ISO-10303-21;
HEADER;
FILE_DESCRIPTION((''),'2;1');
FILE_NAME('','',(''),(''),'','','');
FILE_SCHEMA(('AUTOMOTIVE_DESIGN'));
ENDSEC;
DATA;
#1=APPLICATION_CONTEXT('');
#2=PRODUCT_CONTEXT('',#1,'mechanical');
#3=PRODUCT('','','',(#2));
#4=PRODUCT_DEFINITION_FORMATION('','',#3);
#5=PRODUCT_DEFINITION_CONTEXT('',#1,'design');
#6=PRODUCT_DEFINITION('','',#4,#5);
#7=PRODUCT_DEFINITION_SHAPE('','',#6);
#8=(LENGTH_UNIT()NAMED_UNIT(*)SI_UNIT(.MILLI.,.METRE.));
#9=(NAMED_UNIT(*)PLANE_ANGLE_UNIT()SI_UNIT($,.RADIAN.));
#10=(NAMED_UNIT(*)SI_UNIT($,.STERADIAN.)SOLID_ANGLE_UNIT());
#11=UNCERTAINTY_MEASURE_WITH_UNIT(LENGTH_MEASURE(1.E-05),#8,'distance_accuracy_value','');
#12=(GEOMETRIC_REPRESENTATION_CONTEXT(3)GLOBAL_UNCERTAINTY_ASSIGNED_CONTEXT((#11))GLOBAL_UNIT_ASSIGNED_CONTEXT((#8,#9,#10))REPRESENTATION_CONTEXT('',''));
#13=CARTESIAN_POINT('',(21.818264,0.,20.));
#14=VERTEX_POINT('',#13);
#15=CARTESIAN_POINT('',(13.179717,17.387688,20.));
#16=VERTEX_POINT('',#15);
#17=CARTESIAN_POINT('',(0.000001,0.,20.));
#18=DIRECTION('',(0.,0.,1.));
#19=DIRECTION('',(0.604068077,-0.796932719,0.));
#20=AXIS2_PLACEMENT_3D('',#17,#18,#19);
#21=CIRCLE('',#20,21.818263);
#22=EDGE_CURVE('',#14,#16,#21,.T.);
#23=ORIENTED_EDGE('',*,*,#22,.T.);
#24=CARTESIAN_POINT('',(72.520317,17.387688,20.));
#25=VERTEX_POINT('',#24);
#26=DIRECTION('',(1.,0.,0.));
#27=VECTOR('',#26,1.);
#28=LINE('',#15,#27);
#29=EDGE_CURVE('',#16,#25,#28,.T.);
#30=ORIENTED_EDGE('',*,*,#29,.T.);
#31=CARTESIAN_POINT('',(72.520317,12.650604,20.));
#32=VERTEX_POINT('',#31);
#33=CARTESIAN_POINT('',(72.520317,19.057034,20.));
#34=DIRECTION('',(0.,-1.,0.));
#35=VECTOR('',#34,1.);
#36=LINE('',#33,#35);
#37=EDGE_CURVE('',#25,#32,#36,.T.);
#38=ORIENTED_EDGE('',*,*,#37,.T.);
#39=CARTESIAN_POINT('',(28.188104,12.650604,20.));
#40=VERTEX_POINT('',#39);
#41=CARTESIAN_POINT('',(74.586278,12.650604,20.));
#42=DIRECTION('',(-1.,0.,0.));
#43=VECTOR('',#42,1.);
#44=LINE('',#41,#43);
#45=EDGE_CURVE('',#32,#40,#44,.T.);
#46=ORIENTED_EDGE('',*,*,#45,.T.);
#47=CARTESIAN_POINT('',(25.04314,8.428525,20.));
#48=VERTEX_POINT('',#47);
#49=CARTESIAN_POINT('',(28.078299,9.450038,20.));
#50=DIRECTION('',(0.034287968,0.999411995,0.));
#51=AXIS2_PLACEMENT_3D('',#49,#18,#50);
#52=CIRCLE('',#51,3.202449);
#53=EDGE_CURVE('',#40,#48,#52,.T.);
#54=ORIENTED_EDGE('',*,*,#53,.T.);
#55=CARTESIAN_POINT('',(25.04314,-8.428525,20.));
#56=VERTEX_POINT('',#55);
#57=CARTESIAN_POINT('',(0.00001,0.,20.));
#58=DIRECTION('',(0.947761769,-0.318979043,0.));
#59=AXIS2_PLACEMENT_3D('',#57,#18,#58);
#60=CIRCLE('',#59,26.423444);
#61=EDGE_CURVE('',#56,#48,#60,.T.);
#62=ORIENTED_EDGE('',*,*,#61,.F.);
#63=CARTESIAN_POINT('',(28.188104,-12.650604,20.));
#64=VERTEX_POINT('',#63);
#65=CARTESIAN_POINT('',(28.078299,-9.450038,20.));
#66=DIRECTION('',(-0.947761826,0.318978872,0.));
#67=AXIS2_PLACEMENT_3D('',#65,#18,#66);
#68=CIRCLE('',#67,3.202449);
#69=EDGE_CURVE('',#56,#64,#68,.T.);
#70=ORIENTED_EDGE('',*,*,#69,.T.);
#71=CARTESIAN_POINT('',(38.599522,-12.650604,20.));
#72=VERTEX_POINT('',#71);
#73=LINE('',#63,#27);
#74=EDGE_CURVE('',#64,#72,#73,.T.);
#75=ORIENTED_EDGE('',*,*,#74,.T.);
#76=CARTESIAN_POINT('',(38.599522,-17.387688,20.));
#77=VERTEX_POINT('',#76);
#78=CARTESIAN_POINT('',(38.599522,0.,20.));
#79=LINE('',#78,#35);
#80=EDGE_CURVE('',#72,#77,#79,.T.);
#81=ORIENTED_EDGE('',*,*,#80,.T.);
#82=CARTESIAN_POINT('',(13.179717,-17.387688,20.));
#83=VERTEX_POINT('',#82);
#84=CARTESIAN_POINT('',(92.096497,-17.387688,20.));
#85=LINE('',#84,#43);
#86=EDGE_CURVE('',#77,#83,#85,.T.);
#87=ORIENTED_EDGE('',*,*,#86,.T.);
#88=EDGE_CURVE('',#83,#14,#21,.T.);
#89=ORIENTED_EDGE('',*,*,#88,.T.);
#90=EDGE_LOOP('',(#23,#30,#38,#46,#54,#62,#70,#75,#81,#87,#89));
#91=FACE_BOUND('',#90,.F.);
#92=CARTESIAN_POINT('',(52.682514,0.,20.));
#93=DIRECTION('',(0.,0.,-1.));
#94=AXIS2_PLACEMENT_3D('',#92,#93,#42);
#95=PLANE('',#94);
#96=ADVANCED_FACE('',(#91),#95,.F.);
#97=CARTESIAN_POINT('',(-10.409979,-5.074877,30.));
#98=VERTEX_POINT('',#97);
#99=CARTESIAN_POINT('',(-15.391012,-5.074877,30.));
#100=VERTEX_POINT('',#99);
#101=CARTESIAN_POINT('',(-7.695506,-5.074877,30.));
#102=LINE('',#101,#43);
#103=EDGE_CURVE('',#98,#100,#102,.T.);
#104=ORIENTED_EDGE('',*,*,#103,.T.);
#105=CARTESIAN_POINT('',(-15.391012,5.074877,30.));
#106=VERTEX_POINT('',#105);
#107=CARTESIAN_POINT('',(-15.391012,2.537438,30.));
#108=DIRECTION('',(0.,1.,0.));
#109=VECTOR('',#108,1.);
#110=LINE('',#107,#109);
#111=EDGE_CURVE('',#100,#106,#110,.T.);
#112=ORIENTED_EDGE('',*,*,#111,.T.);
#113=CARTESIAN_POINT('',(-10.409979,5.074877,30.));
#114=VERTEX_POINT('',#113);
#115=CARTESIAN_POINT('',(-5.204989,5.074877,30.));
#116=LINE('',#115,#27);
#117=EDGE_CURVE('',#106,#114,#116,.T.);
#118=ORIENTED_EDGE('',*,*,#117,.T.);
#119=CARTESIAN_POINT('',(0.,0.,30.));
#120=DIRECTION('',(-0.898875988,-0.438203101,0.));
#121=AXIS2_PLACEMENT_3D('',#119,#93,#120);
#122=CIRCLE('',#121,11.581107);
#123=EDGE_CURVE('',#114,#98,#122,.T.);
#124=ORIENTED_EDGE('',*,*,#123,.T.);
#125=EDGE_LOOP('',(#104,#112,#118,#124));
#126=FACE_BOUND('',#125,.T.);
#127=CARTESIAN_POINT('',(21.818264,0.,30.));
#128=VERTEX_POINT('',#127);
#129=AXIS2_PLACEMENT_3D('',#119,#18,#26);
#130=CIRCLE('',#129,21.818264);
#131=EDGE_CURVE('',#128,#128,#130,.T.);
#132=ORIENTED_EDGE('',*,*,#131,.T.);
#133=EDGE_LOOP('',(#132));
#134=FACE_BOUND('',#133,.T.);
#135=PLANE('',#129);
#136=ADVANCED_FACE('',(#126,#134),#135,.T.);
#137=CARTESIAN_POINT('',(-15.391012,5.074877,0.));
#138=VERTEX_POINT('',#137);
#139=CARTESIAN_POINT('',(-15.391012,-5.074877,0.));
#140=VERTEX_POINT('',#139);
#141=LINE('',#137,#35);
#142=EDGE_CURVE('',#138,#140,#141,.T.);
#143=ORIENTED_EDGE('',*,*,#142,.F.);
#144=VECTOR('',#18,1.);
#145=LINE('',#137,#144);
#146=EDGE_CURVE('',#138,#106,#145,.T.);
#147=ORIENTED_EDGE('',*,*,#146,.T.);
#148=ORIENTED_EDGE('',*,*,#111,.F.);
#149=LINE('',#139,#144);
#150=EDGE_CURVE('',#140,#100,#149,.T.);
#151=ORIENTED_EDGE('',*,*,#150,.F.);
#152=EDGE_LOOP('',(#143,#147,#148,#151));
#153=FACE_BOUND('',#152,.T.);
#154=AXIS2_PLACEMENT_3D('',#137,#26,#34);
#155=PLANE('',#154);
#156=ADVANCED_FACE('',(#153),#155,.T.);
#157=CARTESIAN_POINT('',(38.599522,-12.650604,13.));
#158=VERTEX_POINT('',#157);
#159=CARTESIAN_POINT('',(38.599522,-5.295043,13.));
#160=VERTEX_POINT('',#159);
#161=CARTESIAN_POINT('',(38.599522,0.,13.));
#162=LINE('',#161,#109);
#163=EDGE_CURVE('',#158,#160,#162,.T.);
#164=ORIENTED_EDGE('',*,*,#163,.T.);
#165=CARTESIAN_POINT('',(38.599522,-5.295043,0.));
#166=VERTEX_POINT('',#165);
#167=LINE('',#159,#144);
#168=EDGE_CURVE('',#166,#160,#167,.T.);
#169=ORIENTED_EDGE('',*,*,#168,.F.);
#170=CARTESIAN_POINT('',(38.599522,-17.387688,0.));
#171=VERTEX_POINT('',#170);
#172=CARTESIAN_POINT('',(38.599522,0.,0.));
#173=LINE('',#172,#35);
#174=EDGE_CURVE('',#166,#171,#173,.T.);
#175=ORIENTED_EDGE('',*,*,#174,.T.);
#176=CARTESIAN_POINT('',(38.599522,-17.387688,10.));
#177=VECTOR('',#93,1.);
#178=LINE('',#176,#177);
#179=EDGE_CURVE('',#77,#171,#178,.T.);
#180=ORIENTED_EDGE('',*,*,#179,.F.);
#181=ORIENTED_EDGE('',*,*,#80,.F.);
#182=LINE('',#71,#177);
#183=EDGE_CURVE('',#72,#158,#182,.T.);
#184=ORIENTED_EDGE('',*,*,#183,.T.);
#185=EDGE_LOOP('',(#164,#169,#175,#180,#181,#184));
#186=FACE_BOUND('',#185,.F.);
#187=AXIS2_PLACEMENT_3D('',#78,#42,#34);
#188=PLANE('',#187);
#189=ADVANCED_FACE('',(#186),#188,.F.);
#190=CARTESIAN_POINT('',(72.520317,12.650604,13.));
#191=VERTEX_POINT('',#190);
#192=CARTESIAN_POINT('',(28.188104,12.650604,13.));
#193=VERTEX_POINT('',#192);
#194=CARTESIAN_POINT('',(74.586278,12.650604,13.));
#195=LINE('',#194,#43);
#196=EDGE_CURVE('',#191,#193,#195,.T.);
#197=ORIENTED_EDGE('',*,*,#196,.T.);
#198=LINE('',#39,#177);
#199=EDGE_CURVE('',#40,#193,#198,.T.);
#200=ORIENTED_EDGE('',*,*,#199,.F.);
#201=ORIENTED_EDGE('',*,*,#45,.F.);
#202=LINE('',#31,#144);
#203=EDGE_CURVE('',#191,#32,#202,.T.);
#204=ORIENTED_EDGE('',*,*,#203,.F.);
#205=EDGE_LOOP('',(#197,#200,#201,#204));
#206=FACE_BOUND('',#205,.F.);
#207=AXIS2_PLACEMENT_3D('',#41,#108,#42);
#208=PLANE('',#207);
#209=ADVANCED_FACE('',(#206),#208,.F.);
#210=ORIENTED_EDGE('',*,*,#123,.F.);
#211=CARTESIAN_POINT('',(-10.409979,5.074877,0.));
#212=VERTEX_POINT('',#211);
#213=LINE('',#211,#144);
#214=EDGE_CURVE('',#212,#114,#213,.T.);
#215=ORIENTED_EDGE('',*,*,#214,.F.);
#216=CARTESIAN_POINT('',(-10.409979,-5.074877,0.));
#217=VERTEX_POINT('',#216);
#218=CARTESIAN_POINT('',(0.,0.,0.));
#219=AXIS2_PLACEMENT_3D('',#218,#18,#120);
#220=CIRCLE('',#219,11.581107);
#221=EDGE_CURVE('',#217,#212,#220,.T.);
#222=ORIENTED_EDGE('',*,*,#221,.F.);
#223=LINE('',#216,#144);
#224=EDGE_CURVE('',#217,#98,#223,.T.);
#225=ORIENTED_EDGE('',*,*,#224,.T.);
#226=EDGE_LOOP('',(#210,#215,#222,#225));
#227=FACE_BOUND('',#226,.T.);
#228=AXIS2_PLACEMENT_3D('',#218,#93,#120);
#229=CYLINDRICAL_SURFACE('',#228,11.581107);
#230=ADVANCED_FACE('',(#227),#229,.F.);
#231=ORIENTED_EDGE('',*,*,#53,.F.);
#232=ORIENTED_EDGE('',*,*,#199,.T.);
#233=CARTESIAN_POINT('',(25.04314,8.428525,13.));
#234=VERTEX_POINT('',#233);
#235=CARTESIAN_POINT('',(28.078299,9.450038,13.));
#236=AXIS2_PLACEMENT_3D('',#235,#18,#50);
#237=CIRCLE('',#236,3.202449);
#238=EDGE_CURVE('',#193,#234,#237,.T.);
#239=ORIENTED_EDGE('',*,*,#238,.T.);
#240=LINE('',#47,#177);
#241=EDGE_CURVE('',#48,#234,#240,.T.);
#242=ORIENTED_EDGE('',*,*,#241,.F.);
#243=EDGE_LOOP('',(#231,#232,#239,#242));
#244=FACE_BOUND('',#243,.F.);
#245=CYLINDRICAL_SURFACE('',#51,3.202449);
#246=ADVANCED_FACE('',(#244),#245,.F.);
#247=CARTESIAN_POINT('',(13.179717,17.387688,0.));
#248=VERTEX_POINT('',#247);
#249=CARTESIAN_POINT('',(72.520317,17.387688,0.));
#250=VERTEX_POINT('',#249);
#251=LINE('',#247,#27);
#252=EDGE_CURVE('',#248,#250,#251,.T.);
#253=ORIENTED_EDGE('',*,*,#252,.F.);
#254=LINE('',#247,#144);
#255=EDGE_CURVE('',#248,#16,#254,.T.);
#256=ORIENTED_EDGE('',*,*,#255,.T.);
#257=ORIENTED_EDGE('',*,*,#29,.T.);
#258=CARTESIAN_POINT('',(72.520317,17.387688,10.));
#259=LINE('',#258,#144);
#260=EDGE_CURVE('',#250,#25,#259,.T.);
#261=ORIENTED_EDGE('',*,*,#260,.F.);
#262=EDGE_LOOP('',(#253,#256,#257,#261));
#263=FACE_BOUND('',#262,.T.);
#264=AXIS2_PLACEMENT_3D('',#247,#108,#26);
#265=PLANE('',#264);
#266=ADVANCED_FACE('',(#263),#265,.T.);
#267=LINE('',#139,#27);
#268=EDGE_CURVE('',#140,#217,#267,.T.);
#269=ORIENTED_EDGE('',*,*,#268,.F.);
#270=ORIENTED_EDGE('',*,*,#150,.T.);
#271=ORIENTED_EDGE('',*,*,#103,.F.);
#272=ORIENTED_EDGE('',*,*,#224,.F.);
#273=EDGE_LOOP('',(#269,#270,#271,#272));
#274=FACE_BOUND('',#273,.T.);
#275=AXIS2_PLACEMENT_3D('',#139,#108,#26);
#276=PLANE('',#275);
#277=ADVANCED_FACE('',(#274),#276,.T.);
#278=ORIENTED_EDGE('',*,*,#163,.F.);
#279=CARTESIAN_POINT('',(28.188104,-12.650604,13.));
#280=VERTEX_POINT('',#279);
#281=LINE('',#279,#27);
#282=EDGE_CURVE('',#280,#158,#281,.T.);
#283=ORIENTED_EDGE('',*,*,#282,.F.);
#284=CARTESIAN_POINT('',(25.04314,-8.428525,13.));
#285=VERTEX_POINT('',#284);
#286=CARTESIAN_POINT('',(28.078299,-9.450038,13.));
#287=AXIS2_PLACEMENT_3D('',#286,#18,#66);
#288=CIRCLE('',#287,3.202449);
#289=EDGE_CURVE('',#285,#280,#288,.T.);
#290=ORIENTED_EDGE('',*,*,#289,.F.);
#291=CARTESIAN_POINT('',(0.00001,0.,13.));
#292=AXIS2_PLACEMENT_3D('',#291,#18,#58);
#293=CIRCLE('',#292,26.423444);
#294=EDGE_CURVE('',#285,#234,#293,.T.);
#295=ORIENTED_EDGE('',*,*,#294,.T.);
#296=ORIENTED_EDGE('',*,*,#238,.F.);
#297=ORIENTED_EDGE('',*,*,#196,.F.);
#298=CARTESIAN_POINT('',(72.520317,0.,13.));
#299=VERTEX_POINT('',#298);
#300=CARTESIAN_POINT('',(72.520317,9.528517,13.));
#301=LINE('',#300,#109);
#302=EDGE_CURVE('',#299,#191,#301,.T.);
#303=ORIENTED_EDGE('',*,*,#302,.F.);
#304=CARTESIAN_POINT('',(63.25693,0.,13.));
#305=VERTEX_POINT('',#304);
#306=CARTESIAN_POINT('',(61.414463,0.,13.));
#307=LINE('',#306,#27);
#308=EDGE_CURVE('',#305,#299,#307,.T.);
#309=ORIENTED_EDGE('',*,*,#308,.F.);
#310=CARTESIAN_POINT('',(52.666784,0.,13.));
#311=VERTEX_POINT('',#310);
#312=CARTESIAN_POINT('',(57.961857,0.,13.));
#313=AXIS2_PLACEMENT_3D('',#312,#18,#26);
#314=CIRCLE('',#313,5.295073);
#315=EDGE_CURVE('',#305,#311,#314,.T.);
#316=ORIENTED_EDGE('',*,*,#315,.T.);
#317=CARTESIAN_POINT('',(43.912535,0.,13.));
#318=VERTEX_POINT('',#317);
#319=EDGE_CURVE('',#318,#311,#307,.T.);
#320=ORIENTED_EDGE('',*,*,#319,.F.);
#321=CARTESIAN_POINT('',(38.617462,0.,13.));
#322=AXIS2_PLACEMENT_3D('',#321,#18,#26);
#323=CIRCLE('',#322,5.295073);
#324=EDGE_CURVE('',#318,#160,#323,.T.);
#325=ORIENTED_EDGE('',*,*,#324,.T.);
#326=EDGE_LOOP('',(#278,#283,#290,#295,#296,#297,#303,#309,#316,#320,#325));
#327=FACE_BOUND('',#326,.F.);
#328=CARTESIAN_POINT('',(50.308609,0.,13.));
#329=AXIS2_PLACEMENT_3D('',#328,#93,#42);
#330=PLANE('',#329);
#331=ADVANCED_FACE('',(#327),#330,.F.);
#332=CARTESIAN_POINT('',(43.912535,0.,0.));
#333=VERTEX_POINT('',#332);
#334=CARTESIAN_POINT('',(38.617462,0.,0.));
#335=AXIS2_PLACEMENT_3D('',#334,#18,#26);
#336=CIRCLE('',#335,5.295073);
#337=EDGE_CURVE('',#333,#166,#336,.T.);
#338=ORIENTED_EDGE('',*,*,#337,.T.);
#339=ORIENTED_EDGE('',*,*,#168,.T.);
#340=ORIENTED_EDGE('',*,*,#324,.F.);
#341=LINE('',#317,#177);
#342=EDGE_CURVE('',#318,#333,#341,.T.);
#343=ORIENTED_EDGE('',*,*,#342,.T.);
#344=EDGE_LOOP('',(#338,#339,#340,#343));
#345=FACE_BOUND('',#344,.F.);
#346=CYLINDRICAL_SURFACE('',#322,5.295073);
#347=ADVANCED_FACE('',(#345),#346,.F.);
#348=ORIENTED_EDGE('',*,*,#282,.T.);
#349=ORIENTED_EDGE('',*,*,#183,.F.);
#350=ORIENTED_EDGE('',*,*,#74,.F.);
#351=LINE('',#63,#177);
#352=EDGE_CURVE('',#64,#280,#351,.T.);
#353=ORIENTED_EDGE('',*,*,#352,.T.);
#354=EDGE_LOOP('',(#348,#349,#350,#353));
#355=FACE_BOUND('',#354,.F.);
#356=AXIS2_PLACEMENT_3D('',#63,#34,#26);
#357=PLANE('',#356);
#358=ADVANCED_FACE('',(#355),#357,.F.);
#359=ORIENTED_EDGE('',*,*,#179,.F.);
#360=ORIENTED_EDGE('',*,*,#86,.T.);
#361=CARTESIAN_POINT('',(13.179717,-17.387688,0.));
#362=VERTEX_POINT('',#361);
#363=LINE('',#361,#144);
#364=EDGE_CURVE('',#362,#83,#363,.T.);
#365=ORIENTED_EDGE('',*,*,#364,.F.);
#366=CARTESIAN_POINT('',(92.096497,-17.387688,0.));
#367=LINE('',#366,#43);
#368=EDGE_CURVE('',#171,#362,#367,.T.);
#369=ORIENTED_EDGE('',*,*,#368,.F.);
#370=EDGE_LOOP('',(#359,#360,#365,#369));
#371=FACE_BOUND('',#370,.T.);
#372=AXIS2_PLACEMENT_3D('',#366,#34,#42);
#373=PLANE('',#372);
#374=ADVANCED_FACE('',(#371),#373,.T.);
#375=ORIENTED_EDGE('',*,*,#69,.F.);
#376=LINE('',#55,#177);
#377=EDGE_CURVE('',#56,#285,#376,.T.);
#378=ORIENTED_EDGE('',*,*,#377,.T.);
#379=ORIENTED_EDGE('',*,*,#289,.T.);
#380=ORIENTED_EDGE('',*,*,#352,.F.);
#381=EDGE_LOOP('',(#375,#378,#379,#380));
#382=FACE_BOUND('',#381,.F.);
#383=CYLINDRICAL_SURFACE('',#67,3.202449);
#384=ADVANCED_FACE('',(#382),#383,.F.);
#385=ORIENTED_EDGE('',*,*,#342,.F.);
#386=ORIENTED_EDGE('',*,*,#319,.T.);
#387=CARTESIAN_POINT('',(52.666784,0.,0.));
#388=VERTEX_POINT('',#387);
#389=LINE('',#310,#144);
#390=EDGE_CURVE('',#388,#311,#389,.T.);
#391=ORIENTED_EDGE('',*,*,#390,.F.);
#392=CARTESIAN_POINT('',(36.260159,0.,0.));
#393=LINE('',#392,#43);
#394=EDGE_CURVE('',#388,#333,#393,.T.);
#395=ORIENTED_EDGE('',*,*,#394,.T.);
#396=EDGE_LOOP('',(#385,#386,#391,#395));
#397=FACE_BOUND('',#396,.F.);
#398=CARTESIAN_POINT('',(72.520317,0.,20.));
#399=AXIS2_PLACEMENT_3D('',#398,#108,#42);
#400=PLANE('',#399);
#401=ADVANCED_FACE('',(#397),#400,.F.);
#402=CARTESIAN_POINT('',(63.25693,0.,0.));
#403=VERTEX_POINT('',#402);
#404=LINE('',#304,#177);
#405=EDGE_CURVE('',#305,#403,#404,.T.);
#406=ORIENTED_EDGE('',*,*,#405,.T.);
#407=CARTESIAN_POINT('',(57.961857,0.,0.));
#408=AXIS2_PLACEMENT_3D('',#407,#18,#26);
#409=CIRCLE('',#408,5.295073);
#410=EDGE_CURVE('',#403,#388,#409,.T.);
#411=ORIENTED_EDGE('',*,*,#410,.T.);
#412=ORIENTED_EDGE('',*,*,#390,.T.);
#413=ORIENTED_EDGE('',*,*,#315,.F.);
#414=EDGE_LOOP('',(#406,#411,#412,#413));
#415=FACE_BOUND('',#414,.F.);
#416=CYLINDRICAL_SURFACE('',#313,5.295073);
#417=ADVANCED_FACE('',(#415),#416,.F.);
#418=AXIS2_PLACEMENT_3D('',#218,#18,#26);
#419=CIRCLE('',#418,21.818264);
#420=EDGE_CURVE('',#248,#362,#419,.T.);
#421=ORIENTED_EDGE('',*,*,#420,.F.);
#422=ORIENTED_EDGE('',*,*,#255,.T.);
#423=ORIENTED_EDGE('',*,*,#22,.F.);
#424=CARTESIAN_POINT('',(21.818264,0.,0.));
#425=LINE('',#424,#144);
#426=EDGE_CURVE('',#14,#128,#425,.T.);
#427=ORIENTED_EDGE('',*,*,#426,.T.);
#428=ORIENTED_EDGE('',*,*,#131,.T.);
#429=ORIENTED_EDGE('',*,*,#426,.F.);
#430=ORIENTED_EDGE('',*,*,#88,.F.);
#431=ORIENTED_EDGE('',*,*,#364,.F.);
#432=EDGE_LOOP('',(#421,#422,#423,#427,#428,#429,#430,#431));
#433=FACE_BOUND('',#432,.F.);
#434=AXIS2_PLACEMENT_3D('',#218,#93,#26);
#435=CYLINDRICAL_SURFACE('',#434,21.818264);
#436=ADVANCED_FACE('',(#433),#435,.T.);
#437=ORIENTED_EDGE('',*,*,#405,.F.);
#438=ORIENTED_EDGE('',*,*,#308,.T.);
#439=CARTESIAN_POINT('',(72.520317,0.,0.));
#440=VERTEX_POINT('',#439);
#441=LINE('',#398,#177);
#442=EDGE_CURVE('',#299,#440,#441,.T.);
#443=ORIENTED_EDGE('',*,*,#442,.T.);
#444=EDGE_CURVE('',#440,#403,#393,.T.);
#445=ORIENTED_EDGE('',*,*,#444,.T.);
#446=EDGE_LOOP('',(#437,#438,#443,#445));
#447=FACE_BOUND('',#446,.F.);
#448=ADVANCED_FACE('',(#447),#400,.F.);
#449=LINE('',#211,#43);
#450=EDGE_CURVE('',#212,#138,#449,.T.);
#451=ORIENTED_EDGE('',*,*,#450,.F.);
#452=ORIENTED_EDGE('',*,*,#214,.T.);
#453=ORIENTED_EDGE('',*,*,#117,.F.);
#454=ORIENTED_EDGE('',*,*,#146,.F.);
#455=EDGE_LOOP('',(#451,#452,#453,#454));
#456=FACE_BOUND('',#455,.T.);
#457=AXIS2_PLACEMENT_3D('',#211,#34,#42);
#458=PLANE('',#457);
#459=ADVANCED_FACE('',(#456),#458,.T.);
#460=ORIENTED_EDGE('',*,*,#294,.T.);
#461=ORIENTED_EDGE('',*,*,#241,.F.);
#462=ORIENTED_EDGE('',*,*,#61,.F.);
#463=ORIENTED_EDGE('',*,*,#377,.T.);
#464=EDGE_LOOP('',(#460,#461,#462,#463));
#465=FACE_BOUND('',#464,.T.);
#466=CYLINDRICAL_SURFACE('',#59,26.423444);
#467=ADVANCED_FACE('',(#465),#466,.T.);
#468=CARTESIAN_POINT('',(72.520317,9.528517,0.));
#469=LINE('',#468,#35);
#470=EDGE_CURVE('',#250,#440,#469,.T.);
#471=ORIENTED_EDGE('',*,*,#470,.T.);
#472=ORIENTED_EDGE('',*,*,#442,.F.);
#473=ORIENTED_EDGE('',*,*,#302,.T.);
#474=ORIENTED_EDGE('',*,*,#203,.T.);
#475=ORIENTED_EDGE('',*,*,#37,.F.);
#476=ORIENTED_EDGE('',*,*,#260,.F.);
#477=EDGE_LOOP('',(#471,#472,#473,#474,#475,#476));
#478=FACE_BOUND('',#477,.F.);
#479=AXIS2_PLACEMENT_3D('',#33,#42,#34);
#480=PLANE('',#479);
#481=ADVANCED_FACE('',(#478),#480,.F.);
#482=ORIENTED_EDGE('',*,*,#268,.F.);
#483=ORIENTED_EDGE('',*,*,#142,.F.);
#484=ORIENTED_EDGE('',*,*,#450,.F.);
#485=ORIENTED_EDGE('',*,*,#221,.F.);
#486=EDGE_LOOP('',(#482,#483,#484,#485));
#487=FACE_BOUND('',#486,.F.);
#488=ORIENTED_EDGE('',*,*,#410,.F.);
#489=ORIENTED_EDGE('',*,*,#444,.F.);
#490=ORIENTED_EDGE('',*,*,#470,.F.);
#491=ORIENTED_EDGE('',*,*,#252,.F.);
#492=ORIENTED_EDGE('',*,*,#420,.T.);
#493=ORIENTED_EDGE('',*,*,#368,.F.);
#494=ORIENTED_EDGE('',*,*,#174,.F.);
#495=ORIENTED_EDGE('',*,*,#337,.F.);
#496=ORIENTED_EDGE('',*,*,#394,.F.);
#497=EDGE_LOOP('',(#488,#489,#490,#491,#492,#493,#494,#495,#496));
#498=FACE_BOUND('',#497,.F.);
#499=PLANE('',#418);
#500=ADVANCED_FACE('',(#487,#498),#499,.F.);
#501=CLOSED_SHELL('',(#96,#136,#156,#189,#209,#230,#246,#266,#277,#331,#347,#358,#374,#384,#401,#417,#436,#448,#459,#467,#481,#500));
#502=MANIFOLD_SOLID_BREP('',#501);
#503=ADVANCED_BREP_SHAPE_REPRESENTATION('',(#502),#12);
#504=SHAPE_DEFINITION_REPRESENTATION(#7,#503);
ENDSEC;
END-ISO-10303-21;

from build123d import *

# Parameters (mm, degrees)
PAD_DEPTH         = 20
SKETCH002_R       = 21.818264
PAD001_DEPTH      = 30
POCKET_DEPTH      = 0.001
POCKET_DEPTH_BACK = -30.001
POCKET001_DEPTH   = 7
SKETCH005_R       = 5.295073
POCKET002_DEPTH   = 13.001
POCKET003_DEPTH   = 20.001


with BuildPart() as part:
    # Sketch001 → Pad (new body)
    with BuildSketch(Plane.XY):
        with BuildLine():
            ThreePointArc((13.179717, -17.387688), (21.818264, 0), (13.179717, 17.387688))
            Line((13.179717, 17.387688), (92.096497, 17.387688))
            Line((92.096497, 17.387688), (92.096497, -17.387688))
            Line((92.096497, -17.387688), (13.179717, -17.387688))
        make_face()
    extrude(amount=PAD_DEPTH)

    # Sketch002 → Pad001 (join)
    with BuildSketch(Plane.XY):
        Circle(SKETCH002_R)
    extrude(amount=PAD001_DEPTH)

    # Sketch003 → Pocket (cut, two sides)
    with BuildSketch(Plane.XY) as pocket_sk:
        with BuildLine():
            ThreePointArc((-10.409979, -5.074877), (11.581107, 0), (-10.409979, 5.074877))
            Line((-10.409979, 5.074877), (-15.391012, 5.074877))
            Line((-15.391012, 5.074877), (-15.391012, -5.074877))
            Line((-15.391012, -5.074877), (-10.409979, -5.074877))
        make_face()
    extrude(amount=-POCKET_DEPTH, mode=Mode.SUBTRACT)
    extrude(pocket_sk.sketch, amount=-POCKET_DEPTH_BACK, mode=Mode.SUBTRACT)

    # Sketch004 → Pocket001 (cut)
    with BuildSketch(Plane.XY.offset(20)):
        with BuildLine():
            ThreePointArc((25.04314, -8.428525), (26.423454, 0), (25.04314, 8.428525))
            ThreePointArc((28.188104, 12.650604), (25.510048, 11.36309), (25.04314, 8.428525))
            Line((74.586278, 12.650604), (28.188104, 12.650604))
            Line((74.586278, -12.650604), (74.586278, 12.650604))
            Line((28.188104, -12.650604), (74.586278, -12.650604))
            ThreePointArc((25.04314, -8.428525), (25.510048, -11.36309), (28.188104, -12.650604))
        make_face()
    extrude(amount=-POCKET001_DEPTH, mode=Mode.SUBTRACT)

    # Sketch005 (on Face18 of Pocket001) → Pocket002 (cut, through all)
    with BuildSketch(Plane.XY.offset(13)):
        with Locations((57.961857, 0)):
            Circle(SKETCH005_R)
        with Locations((38.617462, 0)):
            Circle(SKETCH005_R)
    extrude(amount=-POCKET002_DEPTH, mode=Mode.SUBTRACT)

    # Sketch006 (on Face5 of Pocket002) → Pocket003 (cut, through all)
    with BuildSketch(Plane.XY.offset(20)):
        Polygon((38.599522, 0), (38.599522, -29.031481), (99.493477, -29.031481), (99.493477, 19.057034), (72.520317, 19.057034), (72.520317, 0), align=None)
    extrude(amount=-POCKET003_DEPTH, mode=Mode.SUBTRACT)


solid = part.part
